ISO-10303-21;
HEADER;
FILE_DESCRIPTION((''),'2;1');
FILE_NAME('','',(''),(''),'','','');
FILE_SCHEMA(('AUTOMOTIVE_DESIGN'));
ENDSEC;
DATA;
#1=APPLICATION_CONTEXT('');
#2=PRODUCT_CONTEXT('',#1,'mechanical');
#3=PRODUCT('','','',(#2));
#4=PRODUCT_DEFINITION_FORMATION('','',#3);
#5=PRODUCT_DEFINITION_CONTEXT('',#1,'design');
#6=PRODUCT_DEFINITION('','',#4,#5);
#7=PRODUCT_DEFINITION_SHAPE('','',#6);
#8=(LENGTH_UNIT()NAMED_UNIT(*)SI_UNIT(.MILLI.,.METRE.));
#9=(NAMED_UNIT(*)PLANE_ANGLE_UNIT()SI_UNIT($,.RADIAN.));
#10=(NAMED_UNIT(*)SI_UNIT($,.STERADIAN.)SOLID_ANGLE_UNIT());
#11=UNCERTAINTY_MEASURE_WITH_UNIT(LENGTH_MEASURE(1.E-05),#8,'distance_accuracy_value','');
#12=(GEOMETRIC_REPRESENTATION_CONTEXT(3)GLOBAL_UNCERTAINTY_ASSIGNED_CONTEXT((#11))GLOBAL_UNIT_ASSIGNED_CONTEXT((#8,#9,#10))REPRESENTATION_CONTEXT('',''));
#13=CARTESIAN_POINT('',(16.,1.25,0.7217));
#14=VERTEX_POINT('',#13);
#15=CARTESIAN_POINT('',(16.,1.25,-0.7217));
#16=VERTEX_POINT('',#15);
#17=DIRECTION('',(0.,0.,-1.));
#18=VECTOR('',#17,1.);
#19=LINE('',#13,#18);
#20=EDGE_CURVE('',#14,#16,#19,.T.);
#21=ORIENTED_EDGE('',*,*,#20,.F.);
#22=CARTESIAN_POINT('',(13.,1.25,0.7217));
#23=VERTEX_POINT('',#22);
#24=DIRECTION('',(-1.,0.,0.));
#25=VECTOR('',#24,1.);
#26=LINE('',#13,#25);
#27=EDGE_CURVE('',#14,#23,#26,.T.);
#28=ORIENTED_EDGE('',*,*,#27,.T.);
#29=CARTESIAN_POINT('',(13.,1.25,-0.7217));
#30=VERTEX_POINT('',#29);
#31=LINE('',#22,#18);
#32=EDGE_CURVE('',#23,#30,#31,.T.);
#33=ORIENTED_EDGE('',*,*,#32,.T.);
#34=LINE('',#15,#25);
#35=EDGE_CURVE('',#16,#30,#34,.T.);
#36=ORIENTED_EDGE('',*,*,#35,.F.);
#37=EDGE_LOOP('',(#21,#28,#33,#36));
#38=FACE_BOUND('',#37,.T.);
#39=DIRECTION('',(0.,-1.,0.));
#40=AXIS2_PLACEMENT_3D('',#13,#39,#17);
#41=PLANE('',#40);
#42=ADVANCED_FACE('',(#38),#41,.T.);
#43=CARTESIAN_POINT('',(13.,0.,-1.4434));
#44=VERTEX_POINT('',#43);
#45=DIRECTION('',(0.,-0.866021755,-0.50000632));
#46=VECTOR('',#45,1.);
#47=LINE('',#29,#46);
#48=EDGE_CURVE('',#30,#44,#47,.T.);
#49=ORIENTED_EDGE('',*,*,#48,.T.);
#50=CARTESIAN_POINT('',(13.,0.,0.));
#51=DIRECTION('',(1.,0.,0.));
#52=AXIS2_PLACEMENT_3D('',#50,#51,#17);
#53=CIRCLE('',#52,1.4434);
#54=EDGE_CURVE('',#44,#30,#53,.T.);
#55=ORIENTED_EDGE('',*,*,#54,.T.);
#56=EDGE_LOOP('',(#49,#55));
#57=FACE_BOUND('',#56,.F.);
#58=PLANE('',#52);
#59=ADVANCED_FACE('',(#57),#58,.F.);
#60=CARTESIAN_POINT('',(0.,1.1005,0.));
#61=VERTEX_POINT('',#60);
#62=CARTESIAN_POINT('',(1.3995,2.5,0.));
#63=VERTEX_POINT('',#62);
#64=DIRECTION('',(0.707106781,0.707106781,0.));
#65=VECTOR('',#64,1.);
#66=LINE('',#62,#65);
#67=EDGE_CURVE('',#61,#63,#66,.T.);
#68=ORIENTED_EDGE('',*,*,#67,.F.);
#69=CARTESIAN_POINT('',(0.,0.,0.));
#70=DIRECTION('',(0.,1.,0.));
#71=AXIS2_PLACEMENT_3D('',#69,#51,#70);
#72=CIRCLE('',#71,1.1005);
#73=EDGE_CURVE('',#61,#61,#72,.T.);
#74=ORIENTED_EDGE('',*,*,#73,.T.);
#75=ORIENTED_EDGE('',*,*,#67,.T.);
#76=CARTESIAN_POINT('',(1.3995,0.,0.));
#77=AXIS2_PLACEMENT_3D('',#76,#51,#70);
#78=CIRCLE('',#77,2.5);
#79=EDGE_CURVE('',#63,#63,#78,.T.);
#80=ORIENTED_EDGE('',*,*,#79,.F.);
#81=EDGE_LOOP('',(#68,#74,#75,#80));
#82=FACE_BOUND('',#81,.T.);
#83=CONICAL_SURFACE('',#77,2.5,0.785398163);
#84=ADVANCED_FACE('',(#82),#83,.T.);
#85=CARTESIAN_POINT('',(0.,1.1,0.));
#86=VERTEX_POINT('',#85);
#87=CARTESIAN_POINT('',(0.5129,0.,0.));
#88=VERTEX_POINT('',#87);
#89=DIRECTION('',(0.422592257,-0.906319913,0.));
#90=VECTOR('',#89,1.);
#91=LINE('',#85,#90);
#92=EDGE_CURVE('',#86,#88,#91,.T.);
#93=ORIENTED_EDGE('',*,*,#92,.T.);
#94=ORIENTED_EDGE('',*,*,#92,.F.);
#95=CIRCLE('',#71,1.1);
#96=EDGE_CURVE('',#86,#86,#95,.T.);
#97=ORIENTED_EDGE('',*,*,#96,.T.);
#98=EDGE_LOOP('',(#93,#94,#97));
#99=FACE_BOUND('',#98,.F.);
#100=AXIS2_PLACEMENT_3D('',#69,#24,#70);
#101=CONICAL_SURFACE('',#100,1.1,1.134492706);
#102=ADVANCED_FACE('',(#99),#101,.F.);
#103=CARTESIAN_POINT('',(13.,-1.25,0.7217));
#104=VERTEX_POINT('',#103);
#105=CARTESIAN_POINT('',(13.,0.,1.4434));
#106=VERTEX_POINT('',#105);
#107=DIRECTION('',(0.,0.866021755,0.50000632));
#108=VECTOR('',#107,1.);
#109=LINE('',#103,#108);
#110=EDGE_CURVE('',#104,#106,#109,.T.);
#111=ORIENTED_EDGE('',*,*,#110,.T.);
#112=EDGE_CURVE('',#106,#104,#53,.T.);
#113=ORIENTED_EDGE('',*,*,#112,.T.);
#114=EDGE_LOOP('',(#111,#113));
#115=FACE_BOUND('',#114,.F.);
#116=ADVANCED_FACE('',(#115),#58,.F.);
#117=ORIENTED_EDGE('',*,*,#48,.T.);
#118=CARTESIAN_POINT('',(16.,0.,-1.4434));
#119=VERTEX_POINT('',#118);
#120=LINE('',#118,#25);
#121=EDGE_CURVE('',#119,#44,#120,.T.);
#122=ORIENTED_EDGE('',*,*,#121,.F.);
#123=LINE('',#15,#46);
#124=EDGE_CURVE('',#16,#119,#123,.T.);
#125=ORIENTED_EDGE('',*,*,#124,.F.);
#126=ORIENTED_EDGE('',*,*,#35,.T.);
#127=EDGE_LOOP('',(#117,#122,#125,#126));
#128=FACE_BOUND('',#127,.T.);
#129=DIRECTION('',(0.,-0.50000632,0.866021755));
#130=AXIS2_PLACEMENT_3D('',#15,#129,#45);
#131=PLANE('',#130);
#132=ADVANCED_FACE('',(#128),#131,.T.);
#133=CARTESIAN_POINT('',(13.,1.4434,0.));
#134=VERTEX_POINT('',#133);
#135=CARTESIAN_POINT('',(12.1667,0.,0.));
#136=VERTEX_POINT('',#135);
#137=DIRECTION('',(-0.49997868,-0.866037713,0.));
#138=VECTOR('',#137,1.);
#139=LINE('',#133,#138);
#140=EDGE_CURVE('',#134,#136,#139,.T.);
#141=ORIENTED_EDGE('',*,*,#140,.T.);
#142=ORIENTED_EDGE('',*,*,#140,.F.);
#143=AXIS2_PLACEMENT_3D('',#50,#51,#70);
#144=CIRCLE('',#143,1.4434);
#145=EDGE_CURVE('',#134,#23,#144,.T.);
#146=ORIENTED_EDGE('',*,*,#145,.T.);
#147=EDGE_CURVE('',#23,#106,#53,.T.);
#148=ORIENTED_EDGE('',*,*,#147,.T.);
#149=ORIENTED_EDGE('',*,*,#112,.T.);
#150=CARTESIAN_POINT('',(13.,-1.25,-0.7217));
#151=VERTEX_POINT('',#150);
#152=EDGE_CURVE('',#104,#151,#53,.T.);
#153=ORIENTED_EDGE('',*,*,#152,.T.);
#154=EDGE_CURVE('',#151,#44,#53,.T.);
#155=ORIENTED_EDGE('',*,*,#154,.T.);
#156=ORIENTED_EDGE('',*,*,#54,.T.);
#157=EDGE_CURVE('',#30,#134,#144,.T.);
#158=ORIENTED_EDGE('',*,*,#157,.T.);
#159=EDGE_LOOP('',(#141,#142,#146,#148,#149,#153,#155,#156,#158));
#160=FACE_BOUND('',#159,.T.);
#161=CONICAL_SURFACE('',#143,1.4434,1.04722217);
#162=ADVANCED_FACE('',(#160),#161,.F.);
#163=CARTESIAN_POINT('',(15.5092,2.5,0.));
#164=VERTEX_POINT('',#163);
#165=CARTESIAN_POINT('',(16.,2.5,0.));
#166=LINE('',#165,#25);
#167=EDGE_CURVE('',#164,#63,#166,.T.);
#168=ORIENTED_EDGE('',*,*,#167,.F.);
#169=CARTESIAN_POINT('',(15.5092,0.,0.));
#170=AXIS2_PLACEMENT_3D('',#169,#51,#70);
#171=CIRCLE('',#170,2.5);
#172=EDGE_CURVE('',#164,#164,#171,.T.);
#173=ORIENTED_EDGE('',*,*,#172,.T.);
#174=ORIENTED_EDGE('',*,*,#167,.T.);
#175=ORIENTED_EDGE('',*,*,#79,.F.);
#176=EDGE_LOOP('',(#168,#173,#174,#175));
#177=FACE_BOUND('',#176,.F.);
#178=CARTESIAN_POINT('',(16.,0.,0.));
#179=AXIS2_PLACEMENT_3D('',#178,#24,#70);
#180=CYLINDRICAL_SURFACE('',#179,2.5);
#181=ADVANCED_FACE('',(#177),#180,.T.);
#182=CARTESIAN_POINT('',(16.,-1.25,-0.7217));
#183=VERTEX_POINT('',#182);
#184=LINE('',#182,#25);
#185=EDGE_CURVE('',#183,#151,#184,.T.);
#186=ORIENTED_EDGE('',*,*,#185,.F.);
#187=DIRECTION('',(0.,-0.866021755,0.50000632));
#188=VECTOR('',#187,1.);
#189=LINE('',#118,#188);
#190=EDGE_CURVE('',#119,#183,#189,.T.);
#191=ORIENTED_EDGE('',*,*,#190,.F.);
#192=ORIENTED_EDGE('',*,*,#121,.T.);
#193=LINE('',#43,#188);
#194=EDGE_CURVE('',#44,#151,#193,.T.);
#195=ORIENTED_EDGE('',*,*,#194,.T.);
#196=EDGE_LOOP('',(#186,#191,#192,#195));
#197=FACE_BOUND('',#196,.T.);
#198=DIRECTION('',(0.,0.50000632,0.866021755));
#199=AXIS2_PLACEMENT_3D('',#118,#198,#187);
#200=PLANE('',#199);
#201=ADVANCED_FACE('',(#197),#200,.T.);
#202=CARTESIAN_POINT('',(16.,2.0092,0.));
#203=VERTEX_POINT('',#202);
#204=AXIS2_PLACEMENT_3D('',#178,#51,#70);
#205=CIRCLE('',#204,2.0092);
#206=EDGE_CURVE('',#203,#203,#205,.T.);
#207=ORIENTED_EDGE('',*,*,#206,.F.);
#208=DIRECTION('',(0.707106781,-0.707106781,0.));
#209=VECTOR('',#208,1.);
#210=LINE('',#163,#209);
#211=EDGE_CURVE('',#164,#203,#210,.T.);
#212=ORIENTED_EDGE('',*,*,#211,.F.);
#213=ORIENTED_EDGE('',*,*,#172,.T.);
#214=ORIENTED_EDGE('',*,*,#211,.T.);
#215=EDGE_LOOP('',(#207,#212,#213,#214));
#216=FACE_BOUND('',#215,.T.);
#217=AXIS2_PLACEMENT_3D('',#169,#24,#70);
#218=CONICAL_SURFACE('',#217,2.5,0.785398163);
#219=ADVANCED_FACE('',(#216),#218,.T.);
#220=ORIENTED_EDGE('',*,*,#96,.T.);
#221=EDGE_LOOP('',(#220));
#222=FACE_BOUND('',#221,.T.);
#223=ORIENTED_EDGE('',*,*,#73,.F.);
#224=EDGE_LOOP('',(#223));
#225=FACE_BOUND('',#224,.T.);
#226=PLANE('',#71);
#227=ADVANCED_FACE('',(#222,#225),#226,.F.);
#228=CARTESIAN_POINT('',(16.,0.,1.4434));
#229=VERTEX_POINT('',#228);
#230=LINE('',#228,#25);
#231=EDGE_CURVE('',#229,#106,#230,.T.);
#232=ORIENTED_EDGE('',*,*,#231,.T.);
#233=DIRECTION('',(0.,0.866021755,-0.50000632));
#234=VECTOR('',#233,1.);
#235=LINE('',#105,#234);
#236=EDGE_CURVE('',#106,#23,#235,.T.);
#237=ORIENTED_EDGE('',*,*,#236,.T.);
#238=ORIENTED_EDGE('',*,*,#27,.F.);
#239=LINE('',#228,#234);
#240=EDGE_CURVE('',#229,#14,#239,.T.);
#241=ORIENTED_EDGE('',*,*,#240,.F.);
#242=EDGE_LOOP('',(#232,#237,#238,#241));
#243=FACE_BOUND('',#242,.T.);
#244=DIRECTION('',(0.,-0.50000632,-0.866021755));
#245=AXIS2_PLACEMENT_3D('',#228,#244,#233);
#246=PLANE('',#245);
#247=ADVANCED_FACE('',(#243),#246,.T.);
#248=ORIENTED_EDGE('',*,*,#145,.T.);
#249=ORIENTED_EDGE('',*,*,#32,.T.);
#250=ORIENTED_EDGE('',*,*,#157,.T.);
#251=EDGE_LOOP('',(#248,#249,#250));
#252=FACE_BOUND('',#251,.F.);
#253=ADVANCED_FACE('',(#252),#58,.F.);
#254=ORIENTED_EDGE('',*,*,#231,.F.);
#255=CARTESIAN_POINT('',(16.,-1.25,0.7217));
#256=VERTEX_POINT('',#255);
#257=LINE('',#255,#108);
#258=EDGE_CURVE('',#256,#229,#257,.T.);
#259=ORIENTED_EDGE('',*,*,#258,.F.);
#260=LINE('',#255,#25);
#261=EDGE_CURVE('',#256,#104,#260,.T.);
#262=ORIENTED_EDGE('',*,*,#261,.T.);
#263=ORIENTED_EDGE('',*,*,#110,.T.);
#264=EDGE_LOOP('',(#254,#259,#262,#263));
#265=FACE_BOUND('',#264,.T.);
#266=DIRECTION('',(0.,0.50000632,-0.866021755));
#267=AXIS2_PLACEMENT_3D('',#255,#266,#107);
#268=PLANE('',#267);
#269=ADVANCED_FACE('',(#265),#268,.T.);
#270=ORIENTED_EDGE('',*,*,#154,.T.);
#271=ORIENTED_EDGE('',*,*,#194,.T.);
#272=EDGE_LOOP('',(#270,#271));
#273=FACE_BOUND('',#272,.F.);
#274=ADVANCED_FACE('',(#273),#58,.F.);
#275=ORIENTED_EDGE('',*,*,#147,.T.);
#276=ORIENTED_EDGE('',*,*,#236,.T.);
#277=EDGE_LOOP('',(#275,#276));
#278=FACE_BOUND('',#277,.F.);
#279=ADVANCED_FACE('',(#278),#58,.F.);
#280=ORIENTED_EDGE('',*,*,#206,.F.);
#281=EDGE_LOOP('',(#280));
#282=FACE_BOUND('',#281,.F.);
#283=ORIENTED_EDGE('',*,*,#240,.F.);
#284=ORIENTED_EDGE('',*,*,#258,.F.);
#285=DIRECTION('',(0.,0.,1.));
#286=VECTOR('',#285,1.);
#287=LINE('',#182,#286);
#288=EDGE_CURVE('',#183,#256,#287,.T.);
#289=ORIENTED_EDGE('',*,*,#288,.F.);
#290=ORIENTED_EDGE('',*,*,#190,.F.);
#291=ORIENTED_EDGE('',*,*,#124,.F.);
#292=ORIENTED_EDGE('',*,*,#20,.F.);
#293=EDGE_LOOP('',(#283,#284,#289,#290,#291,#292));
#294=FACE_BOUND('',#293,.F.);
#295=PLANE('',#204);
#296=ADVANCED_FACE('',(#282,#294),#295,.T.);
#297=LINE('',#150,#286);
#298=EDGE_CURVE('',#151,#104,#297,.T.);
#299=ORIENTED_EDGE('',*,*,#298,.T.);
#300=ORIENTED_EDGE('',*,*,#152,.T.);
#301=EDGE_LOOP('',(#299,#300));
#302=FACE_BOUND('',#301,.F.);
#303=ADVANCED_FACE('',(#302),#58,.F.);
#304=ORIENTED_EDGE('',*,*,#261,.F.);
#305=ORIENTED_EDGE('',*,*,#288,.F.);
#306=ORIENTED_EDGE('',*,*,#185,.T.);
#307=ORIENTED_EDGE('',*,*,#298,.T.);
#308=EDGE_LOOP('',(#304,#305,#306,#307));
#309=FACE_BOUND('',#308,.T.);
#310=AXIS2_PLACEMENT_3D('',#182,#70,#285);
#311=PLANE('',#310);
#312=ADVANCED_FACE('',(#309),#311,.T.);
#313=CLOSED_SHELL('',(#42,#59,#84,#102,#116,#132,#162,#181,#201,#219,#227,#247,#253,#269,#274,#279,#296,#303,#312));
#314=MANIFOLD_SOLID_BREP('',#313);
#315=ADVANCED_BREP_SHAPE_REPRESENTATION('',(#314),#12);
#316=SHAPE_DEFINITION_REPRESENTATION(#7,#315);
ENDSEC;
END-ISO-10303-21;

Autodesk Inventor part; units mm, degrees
ref_plane "YZ Plane" through (0, 0, 0) normal (1, 0, 0) x (0, 1, 0)
ref_plane "XZ Plane" through (0, 0, 0) normal (0, 1, 0) x (-1, 0, 0)
sketch "Sketch1" plane through (0, 0, 0) normal (0, 0, 1) x (1, 0, 0)
  line L0 (0.5129, 0) -> (12.1667, 0)
  line L1 (16, 1.4434) -> (16, 2.5)
  line L2 (16, 2.5) -> (0, 2.5)
  line L3 (16, 1.4434) -> (13, 1.4434)
  line L4 (13, 1.4434) -> (12.1667, 0)
  line L5 (0, 1.1) -> (0.5129, 0)
  line L6 (0, -0.5) -> (0, 3) projected
  line L7 (0, 1.1) -> (0, 2.5)
  point P0 (0, 0)
  dimension "d0" = 3
  dimension "d1" = 60
  dimension "d2" = 5
  dimension "d3" = 2.8868
  dimension "d4" = 16
  dimension "d5" = 65
  dimension "d7" = 2.2
revolve "Body" add sketch "Sketch1" angle 360 about axis through (0.5129, 0, 0) along (1, 0, 0)
sketch "Sketch2" plane through (16, 0, 0) normal (1, 0, 0) x (0, 0, -1)
  circle A0 centre (0, 0) radius 1.4434 projected
  circle A1 centre (0, 0) radius 2.5 projected
  line L0 (1.4434, 0) -> (0.7217, -1.25)
  line L1 (0.7217, -1.25) -> (-0.7217, -1.25)
  line L2 (-0.7217, -1.25) -> (-1.4434, 0)
  line L3 (-1.4434, 0) -> (-0.7217, 1.25)
  line L4 (-0.7217, 1.25) -> (0.7217, 1.25)
  line L5 (0.7217, 1.25) -> (1.4434, 0)
extrude "Slot" add sketch "Sketch2" against normal blind 3 contours L5 A0 | A0 L0 | L4 A0 | A0 L1 | L3 A0 | A0 L2
chamfer "Chamfer1" distance 1.4 angle 45 1 edges at (0, -2.5, 0) measured on face at (0, 2.0091, -0.1994)
thread "Thread" size "M5x0.8" class "6g" standard "ISO Metric profile" length 16
chamfer "Chamfer2" distance 0.4908 angle 45 1 edges at (16, -2.5, 0) measured on face at (11.1332, 2.4919, -0.2012)
ref_plane "Work Plane1" through (8, 0, 0) normal (0, -0.5, -0.866) x (1, 0, 0)
equation "\"d0\" = INTI"
equation "\"d2\" = NND"
equation "\"d3\" = 1.1547 * SW"
equation "\"d4\" = NLG"
equation "\"d5\" = 0.5 * ANG"
equation "\"d7\" = SPD"
equation "\"d8\" = INTI"
equation "\"d10\" = -0.5 * SPD + 0.5 * NND"
equation "\"d11\" = FAWI"
equation "\"d33\" = -0.5 * SPD + 0.5 * NND"
equation "\"d14\" = NLG"
equation "\"d12\" = -0.5 * GD1 + 0.5 * NND"
equation "\"d13\" = FAWI"
equation "\"d34\" = -0.5 * GD1 + 0.5 * NND"
equation "\"NND\" = 5"
equation "\"NLG\" = 16"
equation "\"INTI\" = 3"
equation "\"FAWI\" = 45deg"
equation "\"SW\" = 2.5"
equation "\"GD1\" = THREADDIA - 1.2269 * PTC"
equation "\"ANG\" = 130deg"
equation "\"FAWI1\" = 60deg"
equation "\"SPD\" = 2.2"
equation "\"GUL\" = 0.61345 * PTC"
equation "\"TOA\" = 30deg"
equation "\"THREADDIA\" = 5"
equation "\"PTC\" = 0.8"
equation "\"GAL\" = 0.61345 * PTC"
equation "\"E0\" = 1.155 * SW"
properties part number "AS 1421 - M5 x 16 Cup Point" material "Steel, Mild"
